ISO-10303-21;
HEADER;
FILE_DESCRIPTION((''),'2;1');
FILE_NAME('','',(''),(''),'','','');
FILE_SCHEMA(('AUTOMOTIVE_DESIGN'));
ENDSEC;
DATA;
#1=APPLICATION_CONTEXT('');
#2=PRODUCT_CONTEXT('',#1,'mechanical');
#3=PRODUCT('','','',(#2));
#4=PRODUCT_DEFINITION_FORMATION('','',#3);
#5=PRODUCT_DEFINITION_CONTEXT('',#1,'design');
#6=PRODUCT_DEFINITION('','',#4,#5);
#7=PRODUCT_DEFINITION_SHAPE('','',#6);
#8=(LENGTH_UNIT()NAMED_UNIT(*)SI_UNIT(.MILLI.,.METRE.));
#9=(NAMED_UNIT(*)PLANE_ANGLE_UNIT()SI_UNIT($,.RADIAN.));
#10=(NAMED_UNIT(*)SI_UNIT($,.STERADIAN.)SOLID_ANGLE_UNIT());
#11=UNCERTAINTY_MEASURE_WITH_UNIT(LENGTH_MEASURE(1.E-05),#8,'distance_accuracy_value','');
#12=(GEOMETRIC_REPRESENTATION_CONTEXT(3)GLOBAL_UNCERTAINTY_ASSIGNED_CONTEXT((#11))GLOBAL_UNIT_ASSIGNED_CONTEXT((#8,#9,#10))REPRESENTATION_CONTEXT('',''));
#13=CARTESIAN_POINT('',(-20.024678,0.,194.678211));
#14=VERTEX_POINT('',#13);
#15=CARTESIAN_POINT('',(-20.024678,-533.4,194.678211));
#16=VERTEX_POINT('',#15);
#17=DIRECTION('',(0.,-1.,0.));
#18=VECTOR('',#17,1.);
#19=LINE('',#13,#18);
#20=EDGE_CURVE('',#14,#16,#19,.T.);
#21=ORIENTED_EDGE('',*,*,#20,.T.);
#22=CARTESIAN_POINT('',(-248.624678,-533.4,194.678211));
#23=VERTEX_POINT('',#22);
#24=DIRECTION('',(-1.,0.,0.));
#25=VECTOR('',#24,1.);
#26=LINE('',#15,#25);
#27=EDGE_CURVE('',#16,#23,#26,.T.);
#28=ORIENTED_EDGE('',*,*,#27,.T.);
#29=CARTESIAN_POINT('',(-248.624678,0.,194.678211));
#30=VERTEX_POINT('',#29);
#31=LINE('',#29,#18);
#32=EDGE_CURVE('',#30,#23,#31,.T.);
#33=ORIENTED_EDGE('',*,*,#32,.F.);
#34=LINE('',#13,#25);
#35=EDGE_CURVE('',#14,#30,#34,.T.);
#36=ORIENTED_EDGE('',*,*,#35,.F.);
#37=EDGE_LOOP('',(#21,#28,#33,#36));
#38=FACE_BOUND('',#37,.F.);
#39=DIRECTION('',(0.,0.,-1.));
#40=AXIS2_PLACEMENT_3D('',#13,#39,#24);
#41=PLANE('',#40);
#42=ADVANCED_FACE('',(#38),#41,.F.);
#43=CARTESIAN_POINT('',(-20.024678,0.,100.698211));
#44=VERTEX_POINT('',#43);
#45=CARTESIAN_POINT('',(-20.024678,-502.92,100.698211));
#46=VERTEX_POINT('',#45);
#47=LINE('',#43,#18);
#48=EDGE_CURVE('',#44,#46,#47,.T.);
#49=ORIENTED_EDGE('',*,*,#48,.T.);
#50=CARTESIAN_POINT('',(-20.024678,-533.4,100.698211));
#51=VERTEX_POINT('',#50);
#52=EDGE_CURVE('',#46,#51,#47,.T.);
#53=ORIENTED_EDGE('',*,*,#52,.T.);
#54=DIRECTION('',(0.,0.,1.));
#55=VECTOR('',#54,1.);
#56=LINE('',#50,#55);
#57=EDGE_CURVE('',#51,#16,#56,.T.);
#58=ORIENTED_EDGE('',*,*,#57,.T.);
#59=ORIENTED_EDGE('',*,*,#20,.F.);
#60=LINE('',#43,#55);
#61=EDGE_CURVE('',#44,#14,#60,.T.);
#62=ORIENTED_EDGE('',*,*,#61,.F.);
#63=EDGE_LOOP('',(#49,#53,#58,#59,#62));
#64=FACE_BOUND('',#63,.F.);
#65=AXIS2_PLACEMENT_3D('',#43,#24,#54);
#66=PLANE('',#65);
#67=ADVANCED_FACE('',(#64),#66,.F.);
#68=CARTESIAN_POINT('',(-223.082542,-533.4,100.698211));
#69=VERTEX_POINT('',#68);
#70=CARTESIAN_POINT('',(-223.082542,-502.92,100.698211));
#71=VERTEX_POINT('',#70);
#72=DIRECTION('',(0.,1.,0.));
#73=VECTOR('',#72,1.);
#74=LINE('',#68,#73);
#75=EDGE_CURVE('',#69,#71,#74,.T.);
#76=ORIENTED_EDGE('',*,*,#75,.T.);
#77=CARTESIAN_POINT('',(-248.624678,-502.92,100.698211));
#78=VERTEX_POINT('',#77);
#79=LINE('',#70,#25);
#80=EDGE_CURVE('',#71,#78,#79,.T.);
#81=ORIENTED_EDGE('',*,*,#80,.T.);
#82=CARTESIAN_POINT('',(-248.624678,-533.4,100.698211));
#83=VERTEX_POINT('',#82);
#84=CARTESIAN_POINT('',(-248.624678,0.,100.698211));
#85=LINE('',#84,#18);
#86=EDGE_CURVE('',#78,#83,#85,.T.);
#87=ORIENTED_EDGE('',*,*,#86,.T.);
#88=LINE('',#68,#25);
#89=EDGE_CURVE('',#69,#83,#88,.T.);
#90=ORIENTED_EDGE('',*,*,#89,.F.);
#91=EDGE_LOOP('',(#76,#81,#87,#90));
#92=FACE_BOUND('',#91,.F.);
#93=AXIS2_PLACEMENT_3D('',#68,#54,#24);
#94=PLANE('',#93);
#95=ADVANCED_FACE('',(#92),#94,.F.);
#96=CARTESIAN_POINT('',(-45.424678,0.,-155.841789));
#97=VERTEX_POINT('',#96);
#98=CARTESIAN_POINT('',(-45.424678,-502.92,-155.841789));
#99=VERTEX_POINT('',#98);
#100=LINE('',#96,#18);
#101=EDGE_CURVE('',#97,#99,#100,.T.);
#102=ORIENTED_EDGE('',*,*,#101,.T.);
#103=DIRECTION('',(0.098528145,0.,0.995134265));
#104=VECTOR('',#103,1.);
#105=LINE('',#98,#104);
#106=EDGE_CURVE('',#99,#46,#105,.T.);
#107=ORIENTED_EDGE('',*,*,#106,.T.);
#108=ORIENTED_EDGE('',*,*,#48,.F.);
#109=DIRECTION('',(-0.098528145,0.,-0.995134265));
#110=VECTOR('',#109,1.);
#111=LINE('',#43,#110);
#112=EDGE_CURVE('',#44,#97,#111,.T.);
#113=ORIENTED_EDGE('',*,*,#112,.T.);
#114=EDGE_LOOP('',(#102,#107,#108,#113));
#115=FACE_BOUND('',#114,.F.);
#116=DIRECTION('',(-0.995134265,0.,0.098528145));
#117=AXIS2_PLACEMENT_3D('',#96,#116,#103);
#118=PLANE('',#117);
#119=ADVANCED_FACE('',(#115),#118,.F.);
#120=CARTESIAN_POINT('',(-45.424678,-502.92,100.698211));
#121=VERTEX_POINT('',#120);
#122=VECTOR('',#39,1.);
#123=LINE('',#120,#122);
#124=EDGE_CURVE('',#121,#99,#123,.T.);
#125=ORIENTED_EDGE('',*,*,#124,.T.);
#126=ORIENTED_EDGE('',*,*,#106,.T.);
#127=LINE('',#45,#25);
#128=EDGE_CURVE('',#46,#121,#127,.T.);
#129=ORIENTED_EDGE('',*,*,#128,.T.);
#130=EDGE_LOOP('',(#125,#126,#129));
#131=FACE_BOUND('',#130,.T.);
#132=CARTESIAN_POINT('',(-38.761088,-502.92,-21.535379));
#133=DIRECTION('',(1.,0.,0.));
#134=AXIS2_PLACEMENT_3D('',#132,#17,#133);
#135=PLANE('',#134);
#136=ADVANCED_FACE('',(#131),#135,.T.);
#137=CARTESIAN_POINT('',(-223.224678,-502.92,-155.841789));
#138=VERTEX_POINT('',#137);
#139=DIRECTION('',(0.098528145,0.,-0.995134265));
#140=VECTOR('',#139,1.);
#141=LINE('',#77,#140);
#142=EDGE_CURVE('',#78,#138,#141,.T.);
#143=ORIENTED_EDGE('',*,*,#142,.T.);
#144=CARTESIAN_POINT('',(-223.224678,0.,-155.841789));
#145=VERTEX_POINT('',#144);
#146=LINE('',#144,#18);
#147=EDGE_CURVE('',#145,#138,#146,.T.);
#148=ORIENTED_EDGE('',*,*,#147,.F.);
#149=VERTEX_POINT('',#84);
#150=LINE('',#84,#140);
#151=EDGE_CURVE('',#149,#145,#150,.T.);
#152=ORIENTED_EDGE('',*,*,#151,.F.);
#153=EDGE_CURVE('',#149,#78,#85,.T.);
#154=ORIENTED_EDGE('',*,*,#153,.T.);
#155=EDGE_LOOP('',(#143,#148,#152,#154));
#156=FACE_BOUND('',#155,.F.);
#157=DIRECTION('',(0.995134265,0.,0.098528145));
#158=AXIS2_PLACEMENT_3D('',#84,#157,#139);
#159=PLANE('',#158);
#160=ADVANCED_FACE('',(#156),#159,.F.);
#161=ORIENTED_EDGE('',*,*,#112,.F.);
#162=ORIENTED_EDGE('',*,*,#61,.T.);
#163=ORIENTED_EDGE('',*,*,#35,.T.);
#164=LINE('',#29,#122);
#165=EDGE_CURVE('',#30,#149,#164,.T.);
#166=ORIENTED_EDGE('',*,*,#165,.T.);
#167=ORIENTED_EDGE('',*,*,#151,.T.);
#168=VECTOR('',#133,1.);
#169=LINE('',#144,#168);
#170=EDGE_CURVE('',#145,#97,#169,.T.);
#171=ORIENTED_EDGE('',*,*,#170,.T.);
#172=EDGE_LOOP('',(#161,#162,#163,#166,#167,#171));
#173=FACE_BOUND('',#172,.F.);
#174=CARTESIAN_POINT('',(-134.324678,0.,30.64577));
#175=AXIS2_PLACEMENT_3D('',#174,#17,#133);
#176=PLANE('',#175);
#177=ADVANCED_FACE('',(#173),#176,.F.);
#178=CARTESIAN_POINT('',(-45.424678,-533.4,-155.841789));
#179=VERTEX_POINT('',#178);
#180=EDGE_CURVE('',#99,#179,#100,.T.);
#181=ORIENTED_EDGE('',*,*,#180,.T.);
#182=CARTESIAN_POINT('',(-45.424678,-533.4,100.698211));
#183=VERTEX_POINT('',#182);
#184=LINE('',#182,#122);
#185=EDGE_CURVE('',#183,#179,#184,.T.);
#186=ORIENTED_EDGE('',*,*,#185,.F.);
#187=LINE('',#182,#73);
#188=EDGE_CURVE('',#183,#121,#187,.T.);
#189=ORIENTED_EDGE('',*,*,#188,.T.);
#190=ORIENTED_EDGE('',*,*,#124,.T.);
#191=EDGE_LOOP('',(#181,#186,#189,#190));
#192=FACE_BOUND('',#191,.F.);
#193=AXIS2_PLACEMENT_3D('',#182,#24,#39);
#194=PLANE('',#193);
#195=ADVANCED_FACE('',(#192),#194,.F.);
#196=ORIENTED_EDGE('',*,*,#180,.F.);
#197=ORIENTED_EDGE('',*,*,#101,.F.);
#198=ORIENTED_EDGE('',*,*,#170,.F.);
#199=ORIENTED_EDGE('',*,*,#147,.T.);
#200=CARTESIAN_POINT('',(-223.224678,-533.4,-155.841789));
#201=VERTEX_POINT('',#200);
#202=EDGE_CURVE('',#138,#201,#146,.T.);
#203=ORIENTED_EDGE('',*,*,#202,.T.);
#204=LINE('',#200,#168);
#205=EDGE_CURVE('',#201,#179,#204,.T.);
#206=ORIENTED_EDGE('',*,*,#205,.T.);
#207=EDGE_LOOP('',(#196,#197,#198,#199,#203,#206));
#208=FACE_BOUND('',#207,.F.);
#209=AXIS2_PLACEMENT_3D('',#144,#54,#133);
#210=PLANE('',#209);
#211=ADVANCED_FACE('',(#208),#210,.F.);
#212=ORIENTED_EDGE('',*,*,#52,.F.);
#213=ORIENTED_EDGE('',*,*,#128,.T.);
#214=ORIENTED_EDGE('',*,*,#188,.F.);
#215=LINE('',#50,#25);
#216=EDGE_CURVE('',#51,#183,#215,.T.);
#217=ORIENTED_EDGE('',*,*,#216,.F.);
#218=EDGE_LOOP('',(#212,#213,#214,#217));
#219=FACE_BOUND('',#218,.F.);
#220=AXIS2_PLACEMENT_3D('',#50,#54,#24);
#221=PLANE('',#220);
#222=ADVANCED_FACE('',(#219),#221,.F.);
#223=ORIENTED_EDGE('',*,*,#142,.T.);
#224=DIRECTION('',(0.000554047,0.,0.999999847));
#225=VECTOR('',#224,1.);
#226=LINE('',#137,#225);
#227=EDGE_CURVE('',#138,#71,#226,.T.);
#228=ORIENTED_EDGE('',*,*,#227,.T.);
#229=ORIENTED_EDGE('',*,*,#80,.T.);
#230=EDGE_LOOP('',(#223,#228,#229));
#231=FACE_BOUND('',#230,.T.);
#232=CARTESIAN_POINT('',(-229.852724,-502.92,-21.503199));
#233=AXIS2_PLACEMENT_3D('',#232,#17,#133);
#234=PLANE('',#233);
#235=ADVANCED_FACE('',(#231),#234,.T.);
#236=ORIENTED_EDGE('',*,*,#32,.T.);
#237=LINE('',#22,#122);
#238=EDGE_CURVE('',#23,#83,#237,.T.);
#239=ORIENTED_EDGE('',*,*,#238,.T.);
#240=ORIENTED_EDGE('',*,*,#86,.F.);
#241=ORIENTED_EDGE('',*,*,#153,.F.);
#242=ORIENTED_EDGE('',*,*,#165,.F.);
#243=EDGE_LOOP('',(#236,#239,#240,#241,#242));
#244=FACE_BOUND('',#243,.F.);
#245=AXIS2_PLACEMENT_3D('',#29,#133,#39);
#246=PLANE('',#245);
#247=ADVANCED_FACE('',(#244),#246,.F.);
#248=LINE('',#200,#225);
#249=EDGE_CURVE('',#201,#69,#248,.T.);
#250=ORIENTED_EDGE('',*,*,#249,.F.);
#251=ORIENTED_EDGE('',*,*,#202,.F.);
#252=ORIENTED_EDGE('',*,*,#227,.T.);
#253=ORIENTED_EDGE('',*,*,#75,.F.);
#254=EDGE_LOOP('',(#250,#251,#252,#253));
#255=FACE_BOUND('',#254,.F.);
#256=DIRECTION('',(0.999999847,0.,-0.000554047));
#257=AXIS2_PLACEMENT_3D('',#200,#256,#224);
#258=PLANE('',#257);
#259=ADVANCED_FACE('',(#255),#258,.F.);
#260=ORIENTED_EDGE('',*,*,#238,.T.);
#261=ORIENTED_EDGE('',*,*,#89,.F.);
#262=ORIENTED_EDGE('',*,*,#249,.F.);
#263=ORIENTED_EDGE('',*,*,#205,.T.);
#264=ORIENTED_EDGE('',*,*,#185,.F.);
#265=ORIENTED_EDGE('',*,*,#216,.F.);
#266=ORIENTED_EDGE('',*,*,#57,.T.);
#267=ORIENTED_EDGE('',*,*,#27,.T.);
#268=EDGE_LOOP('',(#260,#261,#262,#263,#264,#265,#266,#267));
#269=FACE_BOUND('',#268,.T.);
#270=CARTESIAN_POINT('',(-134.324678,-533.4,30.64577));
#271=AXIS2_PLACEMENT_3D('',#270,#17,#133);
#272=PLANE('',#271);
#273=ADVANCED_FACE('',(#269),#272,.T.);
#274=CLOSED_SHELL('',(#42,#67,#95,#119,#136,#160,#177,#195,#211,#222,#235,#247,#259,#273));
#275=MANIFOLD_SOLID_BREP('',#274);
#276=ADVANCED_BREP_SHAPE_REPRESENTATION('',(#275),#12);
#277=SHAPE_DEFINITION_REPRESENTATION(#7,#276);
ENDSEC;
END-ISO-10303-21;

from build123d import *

# Parameters (mm, degrees)
F1_DEPTH = 533.4
F3_DEPTH = 30.48
F5_DEPTH = 25.4


with BuildPart() as f1:
    # F0 (on Front) → F1 (new body)
    with BuildSketch(Plane.XZ):
        Polygon((-20.0246775488, 194.6782106813), (-248.6246775488, 194.6782106813), (-248.6246775488, 100.6982106813), (-223.2246775488, 100.6982106813), (-224.7843856167, -140.0887378329), (-223.2246775488, -155.8417893187), (-45.4246775488, -155.8417893187), (-43.8649694809, -140.0887378329), (-45.4246775488, 100.6982106813), (-20.0246775488, 100.6982106813), align=None)
        Polygon((-223.2246775488, 100.6982106813), (-248.6246775488, 100.6982106813), (-224.7843856167, -140.0887378329), align=None)
        Polygon((-43.8649694809, -140.0887378329), (-20.0246775488, 100.6982106813), (-45.4246775488, 100.6982106813), align=None)
    extrude(amount=F1_DEPTH)

    # F2 (on face) → F3 (cut)
    with BuildSketch(Plane.XZ.offset(533.4)):
        Polygon((-223.0825424194, 100.6982106813), (-248.6246775488, 100.6982106813), (-223.2246775488, -155.8417893187), align=None)
        Polygon((-45.4246775488, 100.6982106813), (-45.4246775488, -155.8417893187), (-20.0246775488, 100.6982106813), align=None)
    extrude(amount=-F3_DEPTH, mode=Mode.SUBTRACT)

    # F4 (on face) → F5 (cut)
    with BuildSketch(Plane.XZ):
        Polygon((-43.5820221101, -153.1578327248), (-18.1820221101, 100.8364513063), (-20.0246775488, 100.8364513063), (-20.0246775488, 100.6982106813), (-45.2851133126, 100.6982106813), align=None)
        Polygon((-223.2246775488, 100.6982106813), (-246.6658660559, 100.6982106813), (-224.6561073752, -120.2852073061), align=None)
        Polygon((-222.1963950907, 100.6689677848), (-246.7820221101, 101.8644461788), (-246.6658660559, 100.6982106813), (-223.2246775488, 100.6982106813), (-224.6561073752, -120.2852073061), (-221.3820221101, -153.1578327248), align=None)
    extrude(amount=-F5_DEPTH, mode=Mode.SUBTRACT)


solid = f1.part
